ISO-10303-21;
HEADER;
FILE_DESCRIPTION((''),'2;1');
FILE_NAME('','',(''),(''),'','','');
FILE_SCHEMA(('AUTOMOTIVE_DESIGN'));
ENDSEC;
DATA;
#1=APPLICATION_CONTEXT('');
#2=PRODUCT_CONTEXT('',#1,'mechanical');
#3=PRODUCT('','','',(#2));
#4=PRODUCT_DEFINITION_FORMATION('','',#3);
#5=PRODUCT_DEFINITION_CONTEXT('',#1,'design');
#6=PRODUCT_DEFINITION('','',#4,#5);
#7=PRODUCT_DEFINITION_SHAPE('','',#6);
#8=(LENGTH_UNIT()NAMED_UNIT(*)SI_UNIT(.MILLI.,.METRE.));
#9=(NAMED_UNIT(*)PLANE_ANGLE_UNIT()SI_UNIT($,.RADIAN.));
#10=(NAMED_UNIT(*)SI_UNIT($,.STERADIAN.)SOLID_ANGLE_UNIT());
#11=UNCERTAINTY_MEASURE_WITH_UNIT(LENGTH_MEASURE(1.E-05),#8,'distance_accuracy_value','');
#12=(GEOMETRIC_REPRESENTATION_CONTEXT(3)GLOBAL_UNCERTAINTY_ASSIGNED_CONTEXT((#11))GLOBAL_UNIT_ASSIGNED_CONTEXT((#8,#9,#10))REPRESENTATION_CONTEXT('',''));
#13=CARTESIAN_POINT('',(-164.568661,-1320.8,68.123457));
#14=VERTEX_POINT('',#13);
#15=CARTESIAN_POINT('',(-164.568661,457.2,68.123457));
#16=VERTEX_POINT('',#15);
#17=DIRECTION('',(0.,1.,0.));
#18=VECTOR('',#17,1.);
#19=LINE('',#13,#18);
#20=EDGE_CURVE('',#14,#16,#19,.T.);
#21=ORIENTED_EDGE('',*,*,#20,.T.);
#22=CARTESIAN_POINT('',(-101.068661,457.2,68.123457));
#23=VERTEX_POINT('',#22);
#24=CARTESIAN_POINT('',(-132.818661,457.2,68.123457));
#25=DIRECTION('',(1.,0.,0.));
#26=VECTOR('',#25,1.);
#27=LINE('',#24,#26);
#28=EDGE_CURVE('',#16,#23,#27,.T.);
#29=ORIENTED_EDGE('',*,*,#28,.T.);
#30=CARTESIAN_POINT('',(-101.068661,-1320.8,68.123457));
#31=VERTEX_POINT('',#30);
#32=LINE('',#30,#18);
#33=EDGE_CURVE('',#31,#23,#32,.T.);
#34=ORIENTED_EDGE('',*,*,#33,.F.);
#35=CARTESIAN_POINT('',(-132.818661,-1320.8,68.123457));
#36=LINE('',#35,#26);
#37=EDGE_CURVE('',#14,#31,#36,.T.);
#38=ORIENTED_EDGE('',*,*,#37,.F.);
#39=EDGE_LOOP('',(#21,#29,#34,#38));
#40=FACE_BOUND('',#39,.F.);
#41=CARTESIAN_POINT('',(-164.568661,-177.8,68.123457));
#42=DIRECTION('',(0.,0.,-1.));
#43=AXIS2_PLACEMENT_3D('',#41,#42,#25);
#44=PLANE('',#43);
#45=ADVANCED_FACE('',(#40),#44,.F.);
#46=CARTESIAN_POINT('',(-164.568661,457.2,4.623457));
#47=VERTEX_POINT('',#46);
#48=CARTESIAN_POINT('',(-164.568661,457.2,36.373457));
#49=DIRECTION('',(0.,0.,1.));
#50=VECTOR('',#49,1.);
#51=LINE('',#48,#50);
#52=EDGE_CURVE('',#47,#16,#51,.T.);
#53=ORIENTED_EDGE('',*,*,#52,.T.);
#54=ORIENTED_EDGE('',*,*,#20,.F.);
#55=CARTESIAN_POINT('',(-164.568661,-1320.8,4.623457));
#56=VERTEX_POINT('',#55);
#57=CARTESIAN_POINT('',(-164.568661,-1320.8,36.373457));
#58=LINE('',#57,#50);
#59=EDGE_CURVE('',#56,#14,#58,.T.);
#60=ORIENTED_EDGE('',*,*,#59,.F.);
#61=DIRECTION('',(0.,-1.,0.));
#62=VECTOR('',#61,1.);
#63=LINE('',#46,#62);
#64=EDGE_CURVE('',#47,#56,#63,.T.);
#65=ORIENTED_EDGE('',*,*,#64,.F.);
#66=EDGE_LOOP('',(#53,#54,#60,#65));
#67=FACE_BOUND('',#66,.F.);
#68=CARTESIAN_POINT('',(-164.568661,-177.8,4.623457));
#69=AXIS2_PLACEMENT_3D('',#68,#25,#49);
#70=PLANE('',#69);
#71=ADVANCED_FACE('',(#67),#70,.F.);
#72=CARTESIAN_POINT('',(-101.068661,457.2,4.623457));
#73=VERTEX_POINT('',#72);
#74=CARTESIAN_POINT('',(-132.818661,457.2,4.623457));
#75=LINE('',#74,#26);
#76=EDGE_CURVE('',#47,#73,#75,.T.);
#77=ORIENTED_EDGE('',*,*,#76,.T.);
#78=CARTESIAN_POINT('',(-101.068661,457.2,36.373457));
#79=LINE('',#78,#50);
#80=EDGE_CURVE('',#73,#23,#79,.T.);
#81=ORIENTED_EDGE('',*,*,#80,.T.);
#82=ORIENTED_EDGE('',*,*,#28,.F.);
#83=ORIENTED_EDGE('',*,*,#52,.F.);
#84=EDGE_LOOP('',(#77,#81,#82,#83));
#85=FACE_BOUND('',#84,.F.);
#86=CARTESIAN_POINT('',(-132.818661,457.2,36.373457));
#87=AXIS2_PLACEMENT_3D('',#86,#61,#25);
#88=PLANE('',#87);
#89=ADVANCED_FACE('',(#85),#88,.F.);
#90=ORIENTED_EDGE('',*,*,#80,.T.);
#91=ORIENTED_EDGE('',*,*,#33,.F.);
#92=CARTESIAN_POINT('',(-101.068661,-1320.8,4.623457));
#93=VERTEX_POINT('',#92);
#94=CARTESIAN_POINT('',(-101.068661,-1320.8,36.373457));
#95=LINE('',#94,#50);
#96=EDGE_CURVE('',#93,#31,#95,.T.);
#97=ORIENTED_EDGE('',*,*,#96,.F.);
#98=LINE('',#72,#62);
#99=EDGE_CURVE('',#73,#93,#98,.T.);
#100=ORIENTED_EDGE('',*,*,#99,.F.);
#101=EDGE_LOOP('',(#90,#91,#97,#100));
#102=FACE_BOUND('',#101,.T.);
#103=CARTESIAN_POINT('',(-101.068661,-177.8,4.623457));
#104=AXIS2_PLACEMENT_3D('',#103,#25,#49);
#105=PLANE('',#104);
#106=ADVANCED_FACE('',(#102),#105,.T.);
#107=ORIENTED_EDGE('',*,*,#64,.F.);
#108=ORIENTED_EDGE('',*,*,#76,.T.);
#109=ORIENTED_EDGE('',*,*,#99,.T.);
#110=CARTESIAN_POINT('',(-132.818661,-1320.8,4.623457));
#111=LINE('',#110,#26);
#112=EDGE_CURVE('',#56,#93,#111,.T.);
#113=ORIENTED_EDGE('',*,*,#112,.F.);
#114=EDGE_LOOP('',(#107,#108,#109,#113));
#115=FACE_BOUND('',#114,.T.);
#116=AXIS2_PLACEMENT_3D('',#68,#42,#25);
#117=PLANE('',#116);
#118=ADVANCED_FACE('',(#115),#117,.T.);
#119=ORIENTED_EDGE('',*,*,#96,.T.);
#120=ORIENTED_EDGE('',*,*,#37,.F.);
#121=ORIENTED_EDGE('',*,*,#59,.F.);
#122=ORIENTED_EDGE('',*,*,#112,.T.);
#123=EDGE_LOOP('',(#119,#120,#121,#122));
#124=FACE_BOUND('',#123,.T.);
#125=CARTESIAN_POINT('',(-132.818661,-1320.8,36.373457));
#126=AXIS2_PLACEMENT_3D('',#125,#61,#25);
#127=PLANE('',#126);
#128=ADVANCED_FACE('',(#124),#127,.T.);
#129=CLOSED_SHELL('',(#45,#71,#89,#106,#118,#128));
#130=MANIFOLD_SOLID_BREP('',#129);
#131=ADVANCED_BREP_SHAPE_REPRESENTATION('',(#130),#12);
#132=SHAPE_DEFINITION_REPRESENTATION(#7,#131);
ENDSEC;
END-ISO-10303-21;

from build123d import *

# Parameters (mm, degrees)
F0_W     = 63.5
F0_H     = 63.5
F1_DEPTH = 1498.6
F2_DEPTH = 1092.2
F3_DEPTH = 203.2
F4_DEPTH = 177.8
F5_DEPTH = 1117.6
F6_DEPTH = 635


with BuildPart() as f1:
    # F0 (on Front) → F1 (new body)
    with BuildSketch(Plane.XZ):
        with Locations((-132.8186606169, 36.3734573238)):
            Rectangle(F0_W, F0_H)
    extrude(amount=F1_DEPTH)

    # F2 (cut): a face of the model
    f2_faces = [f1.faces().sort_by_distance(p)[0] for p in [
        (-132.8186606169, 0, 36.3734573238),
    ]]
    extrude(f2_faces, amount=-F2_DEPTH, mode=Mode.SUBTRACT)

    # F3 (cut): a face of the model
    f3_faces = [f1.faces().sort_by_distance(p)[0] for p in [
        (-132.8186606169, -1092.2, 36.3734573238),
    ]]
    extrude(f3_faces, amount=-F3_DEPTH, mode=Mode.SUBTRACT)

    # F4 (cut): a face of the model
    f4_faces = [f1.faces().sort_by_distance(p)[0] for p in [
        (-132.8186606169, -1498.6, 36.3734573238),
    ]]
    extrude(f4_faces, amount=-F4_DEPTH, mode=Mode.SUBTRACT)

    # F5 (add): a face of the model
    f5_faces = [f1.faces().sort_by_distance(p)[0] for p in [
        (-132.8186606169, -1295.4, 36.3734573238),
    ]]
    extrude(f5_faces, amount=F5_DEPTH)

    # F6 (add): a face of the model
    f6_faces = [f1.faces().sort_by_distance(p)[0] for p in [
        (-132.8186606169, -177.8, 36.3734573238),
    ]]
    extrude(f6_faces, amount=F6_DEPTH)


solid = f1.part
